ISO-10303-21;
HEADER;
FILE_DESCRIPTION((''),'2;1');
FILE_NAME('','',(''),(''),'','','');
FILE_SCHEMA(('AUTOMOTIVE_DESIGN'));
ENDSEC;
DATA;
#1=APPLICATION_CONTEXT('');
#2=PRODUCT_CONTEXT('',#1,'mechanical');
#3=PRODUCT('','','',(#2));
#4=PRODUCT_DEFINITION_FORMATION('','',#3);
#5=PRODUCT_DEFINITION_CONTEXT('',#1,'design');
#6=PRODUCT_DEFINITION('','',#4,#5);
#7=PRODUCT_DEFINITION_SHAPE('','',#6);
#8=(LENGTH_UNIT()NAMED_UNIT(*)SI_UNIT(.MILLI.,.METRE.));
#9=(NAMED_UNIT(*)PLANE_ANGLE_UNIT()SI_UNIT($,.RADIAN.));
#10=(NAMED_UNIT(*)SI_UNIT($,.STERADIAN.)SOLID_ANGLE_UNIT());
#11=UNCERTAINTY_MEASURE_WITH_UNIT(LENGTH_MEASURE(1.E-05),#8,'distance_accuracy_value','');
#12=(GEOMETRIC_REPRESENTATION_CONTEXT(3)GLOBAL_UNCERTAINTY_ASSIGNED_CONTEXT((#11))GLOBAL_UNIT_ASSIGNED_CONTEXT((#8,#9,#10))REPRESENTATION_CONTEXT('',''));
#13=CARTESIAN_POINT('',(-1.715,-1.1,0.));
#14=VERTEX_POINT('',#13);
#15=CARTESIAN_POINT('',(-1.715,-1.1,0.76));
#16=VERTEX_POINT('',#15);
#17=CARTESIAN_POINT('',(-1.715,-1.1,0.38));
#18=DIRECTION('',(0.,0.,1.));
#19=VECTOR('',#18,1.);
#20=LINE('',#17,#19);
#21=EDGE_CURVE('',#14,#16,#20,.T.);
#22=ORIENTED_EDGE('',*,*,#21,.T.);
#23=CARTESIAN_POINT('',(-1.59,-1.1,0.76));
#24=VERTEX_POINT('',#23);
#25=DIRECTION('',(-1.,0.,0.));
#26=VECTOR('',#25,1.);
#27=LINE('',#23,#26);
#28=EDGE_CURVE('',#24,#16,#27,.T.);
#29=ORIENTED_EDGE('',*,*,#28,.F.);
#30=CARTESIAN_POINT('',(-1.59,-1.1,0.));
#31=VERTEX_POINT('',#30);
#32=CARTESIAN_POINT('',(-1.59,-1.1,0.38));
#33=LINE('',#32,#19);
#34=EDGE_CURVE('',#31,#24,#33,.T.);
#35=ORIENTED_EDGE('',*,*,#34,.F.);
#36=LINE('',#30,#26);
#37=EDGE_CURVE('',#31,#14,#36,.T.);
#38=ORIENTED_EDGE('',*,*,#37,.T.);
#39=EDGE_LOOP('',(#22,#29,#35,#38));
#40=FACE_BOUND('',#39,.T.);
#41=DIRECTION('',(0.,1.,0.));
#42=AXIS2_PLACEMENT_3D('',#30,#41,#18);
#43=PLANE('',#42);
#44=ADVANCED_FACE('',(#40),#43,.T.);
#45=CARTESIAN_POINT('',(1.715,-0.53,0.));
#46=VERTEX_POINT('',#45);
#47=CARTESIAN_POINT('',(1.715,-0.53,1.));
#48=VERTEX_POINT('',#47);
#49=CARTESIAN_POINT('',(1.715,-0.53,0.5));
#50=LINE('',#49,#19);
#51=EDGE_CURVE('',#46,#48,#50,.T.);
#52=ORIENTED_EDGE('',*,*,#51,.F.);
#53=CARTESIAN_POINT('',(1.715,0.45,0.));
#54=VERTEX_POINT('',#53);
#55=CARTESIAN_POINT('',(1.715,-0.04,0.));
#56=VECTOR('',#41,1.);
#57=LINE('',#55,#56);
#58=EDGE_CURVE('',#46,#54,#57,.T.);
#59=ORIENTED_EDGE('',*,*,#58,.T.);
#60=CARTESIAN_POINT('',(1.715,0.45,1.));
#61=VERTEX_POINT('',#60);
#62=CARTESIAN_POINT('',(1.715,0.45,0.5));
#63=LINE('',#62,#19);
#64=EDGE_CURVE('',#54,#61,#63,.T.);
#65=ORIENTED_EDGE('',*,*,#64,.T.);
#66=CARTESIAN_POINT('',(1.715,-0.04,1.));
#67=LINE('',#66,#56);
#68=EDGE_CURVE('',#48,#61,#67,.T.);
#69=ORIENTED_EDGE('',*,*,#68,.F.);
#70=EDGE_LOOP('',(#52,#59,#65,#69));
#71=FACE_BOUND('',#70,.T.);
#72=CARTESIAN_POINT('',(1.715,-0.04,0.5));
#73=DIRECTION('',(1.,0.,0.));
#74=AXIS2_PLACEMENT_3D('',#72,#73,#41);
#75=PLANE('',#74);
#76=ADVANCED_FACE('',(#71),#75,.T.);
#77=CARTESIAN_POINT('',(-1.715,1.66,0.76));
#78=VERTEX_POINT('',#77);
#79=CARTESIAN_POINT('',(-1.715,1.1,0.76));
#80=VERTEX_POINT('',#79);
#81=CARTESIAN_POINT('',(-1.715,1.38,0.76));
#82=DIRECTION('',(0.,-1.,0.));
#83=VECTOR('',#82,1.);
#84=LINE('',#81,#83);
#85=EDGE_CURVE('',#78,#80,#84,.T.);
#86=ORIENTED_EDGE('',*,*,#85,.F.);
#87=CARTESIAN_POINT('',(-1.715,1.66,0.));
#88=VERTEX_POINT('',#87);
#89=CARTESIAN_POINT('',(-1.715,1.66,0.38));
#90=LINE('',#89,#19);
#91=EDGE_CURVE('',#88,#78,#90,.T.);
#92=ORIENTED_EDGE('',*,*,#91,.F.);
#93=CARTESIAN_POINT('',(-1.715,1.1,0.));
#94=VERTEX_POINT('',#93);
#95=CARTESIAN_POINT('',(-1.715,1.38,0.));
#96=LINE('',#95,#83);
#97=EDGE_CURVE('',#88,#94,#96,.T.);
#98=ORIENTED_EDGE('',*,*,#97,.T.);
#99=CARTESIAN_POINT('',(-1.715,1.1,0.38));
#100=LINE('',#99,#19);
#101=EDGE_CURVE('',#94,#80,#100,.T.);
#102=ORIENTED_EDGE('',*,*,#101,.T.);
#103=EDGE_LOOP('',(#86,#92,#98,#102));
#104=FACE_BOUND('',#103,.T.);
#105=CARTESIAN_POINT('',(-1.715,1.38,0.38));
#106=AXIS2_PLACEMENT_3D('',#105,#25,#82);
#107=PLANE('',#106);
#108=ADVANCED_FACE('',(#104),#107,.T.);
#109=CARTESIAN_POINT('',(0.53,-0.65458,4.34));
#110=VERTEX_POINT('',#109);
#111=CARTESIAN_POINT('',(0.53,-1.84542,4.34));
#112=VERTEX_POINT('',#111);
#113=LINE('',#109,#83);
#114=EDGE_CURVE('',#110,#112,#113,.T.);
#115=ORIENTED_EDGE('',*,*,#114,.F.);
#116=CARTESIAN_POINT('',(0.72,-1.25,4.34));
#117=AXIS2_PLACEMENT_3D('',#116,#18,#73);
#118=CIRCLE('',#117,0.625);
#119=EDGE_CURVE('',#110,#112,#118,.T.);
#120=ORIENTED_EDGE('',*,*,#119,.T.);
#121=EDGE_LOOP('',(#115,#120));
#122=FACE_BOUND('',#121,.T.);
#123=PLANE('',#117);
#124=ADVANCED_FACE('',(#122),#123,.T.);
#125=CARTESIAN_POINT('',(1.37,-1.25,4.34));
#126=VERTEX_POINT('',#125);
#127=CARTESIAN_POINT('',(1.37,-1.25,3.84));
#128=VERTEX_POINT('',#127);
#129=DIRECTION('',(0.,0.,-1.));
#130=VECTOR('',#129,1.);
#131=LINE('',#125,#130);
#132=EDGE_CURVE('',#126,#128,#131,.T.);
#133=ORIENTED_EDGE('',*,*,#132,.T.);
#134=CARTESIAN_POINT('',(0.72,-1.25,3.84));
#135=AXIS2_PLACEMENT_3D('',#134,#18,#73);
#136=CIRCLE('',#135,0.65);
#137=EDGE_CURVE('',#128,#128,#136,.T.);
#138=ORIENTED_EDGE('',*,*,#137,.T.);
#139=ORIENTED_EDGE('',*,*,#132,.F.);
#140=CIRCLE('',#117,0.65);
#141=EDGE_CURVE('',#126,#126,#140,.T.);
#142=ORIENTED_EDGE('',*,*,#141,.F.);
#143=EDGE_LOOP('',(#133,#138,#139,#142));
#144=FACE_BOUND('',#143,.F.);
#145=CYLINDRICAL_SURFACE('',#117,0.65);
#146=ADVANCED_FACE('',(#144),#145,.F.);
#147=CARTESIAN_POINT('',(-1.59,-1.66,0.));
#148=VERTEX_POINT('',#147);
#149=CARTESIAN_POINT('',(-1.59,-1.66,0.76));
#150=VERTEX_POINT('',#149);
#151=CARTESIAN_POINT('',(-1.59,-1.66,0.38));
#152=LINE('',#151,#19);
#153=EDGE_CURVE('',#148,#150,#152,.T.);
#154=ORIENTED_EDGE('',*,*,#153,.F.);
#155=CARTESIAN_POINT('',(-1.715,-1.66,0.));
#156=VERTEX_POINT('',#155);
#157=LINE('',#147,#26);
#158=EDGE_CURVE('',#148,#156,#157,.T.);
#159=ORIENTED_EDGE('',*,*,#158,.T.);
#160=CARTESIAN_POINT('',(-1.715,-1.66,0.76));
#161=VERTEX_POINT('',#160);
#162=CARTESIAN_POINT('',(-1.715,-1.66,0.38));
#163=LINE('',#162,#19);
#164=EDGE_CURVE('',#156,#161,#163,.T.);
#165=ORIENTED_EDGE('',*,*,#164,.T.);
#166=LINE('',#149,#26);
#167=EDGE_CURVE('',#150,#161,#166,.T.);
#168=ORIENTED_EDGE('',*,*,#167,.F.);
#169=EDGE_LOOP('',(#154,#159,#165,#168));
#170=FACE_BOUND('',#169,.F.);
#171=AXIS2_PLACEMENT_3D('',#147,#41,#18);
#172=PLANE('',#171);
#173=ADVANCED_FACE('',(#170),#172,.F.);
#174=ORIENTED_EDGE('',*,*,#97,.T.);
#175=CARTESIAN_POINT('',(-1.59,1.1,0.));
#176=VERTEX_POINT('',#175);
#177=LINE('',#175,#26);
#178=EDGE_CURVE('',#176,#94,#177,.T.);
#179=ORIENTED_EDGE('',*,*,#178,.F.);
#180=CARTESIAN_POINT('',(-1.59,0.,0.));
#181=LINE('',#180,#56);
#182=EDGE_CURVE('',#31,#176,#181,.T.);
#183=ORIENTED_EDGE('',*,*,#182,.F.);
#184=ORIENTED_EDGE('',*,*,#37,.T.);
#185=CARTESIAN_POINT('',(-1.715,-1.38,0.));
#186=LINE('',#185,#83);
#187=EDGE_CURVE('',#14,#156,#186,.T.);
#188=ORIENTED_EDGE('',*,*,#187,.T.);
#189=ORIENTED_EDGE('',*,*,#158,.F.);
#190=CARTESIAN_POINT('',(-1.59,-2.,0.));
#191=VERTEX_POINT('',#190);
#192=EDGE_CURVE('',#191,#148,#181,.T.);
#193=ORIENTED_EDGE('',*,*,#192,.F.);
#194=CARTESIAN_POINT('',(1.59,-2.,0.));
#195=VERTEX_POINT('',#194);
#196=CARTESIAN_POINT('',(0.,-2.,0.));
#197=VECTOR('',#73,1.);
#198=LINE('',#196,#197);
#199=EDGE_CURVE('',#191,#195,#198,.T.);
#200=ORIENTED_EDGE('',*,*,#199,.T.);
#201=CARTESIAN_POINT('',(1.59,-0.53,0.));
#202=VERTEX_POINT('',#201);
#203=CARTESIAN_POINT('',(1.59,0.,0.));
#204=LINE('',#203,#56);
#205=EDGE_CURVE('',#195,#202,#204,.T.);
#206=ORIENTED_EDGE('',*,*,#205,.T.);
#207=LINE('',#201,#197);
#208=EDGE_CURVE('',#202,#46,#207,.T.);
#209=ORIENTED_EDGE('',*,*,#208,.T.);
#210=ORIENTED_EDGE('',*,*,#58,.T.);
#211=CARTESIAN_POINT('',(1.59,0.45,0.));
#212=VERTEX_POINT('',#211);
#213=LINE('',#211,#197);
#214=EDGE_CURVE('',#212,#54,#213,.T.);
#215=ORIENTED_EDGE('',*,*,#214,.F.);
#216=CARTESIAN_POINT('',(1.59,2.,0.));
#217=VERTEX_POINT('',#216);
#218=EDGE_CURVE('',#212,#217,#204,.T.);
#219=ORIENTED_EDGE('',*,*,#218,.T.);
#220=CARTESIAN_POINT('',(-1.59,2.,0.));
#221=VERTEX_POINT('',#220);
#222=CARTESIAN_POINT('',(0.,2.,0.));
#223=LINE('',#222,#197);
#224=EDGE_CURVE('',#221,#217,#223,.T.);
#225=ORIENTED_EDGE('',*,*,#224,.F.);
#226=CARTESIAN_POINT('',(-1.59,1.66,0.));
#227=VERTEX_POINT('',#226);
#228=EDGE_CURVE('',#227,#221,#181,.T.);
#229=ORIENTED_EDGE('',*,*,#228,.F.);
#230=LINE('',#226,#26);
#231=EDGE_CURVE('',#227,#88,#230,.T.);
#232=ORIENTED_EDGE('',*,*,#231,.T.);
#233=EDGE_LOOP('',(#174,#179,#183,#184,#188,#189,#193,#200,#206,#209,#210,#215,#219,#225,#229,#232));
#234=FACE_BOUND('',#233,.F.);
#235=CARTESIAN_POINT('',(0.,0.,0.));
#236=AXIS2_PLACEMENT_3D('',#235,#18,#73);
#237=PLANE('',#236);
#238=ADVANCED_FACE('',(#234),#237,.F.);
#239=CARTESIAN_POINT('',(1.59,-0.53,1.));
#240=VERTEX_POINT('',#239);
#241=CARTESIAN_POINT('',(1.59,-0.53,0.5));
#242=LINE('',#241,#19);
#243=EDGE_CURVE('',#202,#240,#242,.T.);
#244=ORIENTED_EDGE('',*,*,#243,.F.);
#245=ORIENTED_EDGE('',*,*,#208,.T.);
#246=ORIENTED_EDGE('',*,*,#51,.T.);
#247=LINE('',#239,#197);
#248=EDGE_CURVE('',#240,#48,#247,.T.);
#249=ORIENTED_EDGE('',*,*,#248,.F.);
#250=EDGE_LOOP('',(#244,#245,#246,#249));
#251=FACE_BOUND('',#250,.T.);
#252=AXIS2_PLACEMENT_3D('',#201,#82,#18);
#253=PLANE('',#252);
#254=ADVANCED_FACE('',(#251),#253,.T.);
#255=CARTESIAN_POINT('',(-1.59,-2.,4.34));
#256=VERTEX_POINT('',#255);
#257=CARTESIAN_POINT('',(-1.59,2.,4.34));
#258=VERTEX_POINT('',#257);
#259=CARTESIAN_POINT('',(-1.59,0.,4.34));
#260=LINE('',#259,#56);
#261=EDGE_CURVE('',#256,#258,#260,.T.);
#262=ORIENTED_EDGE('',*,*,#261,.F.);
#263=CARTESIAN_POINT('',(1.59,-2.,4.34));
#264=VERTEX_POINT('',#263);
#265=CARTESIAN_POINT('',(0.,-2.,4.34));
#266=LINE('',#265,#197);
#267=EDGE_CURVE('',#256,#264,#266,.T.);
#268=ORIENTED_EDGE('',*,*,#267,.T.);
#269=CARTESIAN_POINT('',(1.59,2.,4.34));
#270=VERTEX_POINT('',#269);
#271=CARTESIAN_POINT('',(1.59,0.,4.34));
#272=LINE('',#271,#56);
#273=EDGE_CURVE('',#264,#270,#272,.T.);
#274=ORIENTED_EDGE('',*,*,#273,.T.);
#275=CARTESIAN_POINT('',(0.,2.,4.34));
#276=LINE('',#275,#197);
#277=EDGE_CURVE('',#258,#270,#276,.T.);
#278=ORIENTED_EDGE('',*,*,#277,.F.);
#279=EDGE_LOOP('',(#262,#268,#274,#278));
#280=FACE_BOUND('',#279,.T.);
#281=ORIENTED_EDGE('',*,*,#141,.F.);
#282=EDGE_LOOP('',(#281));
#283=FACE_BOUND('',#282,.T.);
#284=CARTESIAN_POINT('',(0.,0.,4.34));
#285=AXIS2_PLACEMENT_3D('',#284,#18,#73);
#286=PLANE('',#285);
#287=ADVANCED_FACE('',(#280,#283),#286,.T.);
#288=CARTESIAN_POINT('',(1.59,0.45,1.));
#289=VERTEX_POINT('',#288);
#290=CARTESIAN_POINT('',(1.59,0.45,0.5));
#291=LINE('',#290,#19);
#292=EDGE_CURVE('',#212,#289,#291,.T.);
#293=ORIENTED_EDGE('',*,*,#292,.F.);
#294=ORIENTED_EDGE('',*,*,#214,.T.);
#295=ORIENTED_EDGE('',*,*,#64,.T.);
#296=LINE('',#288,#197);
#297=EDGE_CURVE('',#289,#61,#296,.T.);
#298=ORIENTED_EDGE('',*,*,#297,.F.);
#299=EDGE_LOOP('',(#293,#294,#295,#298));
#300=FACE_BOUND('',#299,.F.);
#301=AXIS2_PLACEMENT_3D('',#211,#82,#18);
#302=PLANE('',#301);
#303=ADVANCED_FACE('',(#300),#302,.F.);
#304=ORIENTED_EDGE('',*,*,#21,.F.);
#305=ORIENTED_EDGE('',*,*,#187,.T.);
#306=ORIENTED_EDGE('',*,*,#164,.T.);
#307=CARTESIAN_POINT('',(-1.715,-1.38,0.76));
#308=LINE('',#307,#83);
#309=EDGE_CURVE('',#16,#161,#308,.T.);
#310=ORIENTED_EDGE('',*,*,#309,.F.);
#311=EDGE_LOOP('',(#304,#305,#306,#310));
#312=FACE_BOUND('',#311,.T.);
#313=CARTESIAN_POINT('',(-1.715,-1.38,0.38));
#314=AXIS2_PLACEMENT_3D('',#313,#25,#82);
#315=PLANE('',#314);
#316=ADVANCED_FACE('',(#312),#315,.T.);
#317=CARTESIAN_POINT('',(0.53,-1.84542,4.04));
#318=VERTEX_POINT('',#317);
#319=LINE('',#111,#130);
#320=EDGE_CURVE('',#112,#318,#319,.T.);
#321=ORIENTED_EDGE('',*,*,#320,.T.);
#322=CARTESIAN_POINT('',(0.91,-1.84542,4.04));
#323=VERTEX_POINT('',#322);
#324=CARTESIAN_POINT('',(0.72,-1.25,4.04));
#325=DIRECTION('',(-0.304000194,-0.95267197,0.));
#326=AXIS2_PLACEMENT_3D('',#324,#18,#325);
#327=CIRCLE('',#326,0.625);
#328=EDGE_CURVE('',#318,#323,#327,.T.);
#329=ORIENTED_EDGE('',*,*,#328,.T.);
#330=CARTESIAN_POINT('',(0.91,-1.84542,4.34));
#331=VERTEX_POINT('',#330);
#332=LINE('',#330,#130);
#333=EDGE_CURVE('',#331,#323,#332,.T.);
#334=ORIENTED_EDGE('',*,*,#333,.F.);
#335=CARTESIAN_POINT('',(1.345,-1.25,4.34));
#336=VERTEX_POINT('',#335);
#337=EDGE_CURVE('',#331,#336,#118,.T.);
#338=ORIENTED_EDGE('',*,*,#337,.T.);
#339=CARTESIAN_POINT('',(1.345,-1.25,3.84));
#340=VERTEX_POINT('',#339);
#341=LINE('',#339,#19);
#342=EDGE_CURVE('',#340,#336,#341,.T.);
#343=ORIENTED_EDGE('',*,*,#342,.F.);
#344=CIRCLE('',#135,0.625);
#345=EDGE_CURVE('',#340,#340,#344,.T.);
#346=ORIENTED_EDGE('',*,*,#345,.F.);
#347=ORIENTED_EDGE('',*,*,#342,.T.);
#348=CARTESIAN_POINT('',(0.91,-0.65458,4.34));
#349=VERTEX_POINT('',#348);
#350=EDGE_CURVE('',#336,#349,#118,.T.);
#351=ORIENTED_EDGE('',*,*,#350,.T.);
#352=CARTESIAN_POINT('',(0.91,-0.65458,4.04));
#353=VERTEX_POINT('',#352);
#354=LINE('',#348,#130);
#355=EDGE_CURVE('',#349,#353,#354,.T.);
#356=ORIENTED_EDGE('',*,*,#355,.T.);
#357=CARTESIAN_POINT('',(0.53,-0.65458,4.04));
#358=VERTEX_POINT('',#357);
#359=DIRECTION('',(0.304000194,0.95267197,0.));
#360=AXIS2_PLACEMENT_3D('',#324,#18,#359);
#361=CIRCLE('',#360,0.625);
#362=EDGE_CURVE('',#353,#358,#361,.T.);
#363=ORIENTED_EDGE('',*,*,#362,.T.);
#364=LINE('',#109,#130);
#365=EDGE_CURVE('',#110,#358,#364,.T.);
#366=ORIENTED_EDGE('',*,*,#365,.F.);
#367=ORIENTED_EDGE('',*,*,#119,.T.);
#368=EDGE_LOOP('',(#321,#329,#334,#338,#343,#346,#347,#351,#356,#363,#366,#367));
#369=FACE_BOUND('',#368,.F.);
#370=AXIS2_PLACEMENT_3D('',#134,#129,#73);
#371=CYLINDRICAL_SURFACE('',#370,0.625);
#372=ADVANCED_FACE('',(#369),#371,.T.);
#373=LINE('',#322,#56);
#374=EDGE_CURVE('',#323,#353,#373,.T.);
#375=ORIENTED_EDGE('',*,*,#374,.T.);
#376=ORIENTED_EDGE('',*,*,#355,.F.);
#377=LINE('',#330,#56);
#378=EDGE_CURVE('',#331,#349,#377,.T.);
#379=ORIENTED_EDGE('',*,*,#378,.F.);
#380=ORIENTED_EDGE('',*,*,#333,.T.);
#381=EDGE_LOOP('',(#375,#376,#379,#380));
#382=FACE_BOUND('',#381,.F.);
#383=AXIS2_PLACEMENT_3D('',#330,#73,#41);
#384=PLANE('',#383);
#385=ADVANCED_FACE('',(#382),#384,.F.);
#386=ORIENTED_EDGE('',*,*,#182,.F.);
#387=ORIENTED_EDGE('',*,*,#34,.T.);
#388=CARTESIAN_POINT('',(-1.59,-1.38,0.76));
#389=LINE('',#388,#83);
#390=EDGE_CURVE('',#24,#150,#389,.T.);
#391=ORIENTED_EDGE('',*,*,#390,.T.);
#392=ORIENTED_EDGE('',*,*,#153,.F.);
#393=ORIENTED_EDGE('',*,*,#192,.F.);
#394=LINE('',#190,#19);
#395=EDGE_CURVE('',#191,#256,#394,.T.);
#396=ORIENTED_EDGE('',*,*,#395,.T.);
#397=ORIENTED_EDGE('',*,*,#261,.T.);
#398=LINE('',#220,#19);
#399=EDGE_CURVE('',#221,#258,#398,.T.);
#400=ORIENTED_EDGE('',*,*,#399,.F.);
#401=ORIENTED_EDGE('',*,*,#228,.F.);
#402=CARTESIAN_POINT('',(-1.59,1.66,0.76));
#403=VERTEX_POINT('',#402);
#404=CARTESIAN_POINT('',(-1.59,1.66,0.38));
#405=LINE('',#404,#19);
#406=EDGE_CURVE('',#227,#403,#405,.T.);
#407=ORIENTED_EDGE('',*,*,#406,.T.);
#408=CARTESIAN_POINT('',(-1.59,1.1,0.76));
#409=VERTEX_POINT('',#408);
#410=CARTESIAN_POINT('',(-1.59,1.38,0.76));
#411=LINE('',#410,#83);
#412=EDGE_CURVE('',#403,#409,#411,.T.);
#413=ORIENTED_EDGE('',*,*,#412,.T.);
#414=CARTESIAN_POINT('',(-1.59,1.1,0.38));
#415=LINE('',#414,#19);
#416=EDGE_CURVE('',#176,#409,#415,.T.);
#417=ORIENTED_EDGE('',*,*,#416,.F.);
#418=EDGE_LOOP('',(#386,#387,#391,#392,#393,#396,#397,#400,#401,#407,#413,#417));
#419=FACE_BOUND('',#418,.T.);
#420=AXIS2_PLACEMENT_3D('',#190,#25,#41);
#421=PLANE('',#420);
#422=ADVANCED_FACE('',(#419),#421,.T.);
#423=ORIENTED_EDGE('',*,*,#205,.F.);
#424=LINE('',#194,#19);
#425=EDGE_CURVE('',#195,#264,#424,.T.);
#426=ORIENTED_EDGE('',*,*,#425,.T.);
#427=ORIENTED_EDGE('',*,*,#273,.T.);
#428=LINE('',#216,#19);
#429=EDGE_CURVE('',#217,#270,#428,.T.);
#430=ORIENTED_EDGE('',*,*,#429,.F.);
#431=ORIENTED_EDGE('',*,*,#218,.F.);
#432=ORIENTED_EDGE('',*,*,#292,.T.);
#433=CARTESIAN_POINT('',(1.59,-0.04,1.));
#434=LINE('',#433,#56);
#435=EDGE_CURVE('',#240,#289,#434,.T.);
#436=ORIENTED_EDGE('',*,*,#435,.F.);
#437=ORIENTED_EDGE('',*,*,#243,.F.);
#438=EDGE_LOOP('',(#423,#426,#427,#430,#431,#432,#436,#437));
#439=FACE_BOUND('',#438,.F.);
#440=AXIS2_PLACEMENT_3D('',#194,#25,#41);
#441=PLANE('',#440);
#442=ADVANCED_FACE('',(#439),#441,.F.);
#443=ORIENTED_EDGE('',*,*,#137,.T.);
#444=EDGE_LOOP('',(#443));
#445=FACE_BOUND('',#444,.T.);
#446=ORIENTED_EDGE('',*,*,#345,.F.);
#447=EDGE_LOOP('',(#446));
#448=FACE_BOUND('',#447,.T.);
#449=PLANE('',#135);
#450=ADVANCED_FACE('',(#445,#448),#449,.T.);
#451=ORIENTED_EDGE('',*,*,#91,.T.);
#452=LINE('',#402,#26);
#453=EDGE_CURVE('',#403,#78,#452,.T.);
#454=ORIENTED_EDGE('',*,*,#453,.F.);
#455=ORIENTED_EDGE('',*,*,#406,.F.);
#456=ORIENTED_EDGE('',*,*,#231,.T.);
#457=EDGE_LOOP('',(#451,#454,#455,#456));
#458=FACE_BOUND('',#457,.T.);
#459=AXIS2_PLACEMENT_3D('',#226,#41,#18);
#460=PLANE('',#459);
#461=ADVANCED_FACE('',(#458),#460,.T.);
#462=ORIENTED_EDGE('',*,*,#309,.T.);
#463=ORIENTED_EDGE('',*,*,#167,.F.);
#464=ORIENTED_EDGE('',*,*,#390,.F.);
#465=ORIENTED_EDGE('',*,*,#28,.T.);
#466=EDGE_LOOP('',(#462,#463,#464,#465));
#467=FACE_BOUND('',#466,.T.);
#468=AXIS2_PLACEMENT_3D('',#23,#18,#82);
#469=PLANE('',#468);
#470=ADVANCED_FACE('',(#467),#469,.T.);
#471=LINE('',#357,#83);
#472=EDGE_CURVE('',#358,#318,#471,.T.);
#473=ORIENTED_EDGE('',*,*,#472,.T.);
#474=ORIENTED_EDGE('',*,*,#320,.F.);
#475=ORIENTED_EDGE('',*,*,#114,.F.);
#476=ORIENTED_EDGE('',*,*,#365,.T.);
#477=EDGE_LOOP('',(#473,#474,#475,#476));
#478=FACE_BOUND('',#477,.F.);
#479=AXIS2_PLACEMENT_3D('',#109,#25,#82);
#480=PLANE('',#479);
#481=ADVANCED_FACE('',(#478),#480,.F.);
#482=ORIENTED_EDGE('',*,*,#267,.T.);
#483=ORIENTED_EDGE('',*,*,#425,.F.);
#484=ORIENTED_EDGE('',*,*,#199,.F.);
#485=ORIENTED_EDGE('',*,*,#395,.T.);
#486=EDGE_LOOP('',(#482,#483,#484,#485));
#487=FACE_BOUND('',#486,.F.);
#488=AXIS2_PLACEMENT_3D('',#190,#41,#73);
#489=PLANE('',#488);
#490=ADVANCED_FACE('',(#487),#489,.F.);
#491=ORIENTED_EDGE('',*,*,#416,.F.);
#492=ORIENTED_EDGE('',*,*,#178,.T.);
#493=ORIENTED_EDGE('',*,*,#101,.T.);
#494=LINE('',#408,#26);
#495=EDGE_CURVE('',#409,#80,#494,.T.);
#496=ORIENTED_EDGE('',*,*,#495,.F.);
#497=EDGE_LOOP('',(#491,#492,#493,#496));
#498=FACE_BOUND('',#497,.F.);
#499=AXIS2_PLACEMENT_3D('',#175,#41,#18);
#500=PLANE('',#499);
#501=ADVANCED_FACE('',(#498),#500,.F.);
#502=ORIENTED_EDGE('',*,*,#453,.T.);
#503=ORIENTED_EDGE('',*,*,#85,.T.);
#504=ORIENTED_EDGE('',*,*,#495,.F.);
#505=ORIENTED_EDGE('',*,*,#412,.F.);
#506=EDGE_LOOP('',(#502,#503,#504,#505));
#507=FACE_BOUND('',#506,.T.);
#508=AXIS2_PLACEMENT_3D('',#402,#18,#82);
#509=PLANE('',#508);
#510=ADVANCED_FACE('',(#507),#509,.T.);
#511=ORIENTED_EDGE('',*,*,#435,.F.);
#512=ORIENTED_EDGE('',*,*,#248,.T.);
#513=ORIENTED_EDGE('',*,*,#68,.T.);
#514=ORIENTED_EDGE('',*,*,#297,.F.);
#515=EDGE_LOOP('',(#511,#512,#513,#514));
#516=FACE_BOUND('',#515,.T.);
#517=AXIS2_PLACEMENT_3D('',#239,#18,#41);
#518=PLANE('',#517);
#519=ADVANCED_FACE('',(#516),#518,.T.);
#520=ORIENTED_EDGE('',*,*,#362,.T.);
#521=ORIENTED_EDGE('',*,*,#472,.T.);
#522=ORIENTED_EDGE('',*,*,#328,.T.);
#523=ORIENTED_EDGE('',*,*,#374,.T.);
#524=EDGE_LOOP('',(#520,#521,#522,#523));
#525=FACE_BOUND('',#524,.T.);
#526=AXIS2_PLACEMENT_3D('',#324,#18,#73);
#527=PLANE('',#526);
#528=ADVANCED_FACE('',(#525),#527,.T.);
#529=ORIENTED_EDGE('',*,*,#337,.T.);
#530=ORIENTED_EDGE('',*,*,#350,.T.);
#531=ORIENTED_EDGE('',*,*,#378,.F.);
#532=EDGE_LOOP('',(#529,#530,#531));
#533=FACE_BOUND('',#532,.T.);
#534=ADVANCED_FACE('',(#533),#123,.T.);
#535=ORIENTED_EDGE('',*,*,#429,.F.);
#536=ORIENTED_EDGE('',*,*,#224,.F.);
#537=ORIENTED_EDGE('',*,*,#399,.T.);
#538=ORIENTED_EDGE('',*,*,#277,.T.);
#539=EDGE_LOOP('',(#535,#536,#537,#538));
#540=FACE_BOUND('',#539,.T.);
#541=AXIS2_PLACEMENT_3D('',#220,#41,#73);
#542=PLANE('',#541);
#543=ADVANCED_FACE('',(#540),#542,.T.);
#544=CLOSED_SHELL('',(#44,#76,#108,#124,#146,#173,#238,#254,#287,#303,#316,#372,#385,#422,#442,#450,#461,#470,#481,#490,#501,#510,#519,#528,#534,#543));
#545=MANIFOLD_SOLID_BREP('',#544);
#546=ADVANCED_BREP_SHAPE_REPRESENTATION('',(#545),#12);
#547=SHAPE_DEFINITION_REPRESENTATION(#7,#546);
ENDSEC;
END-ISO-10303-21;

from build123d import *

# Parameters (mm, degrees)
SKETCH_W        = 3.18
SKETCH_H        = 4
PAD_DEPTH       = 4.34
SKETCH001_W     = 0.98
SKETCH001_H     = 1
PAD001_DEPTH    = 0.125
SKETCH002_W     = 0.56
SKETCH002_H     = 0.76
PAD002_DEPTH    = 0.125
SKETCH003_R     = 0.65
POCKET_DEPTH    = 0.5
SKETCH004_R     = 0.625
PAD003_DEPTH    = 0.5
POCKET001_DEPTH = 0.3


with BuildPart() as part:
    # Sketch → Pad (new body)
    with BuildSketch(Plane.XY):
        Rectangle(SKETCH_W, SKETCH_H)
    extrude(amount=PAD_DEPTH)

    # Sketch001 (on Face3 of Pad) → Pad001 (join)
    with BuildSketch(Plane.YZ.offset(1.59)):
        with Locations((-0.04, 0.5)):
            Rectangle(SKETCH001_W, SKETCH001_H)
    extrude(amount=PAD001_DEPTH)

    # Sketch002 (on Face1 of Pad001) → Pad002 (join)
    with BuildSketch(Plane(origin=(-1.59, 0, 0), x_dir=(0, -1, 0), z_dir=(-1, 0, 0))):
        with Locations((-1.38, 0.38)):
            Rectangle(SKETCH002_W, SKETCH002_H)
        with Locations((1.38, 0.38)):
            Rectangle(SKETCH002_W, SKETCH002_H)
    extrude(amount=PAD002_DEPTH)

    # Sketch003 (on Face10 of Pad002) → Pocket (cut)
    with BuildSketch(Plane.XY.offset(4.34)):
        with Locations((0.72, -1.25)):
            Circle(SKETCH003_R)
    extrude(amount=-POCKET_DEPTH, mode=Mode.SUBTRACT)

    # Sketch004 (on Face23 of Pocket) → Pad003 (join)
    with BuildSketch(Plane.XY.offset(3.84)):
        with Locations((0.72, -1.25)):
            Circle(SKETCH004_R)
    extrude(amount=PAD003_DEPTH)

    # Sketch005 (on Face25 of Pad003) → Pocket001 (cut)
    with BuildSketch(Plane.XY.offset(4.34)):
        with BuildLine():
            Line((0.53, -0.65458), (0.53, -1.84542))
            ThreePointArc((0.53, -1.84542), (0.72, -1.875), (0.91, -1.84542))
            Line((0.91, -1.84542), (0.91, -0.65458))
            ThreePointArc((0.91, -0.65458), (0.72, -0.625), (0.53, -0.65458))
        make_face()
    extrude(amount=-POCKET001_DEPTH, mode=Mode.SUBTRACT)


solid = part.part
